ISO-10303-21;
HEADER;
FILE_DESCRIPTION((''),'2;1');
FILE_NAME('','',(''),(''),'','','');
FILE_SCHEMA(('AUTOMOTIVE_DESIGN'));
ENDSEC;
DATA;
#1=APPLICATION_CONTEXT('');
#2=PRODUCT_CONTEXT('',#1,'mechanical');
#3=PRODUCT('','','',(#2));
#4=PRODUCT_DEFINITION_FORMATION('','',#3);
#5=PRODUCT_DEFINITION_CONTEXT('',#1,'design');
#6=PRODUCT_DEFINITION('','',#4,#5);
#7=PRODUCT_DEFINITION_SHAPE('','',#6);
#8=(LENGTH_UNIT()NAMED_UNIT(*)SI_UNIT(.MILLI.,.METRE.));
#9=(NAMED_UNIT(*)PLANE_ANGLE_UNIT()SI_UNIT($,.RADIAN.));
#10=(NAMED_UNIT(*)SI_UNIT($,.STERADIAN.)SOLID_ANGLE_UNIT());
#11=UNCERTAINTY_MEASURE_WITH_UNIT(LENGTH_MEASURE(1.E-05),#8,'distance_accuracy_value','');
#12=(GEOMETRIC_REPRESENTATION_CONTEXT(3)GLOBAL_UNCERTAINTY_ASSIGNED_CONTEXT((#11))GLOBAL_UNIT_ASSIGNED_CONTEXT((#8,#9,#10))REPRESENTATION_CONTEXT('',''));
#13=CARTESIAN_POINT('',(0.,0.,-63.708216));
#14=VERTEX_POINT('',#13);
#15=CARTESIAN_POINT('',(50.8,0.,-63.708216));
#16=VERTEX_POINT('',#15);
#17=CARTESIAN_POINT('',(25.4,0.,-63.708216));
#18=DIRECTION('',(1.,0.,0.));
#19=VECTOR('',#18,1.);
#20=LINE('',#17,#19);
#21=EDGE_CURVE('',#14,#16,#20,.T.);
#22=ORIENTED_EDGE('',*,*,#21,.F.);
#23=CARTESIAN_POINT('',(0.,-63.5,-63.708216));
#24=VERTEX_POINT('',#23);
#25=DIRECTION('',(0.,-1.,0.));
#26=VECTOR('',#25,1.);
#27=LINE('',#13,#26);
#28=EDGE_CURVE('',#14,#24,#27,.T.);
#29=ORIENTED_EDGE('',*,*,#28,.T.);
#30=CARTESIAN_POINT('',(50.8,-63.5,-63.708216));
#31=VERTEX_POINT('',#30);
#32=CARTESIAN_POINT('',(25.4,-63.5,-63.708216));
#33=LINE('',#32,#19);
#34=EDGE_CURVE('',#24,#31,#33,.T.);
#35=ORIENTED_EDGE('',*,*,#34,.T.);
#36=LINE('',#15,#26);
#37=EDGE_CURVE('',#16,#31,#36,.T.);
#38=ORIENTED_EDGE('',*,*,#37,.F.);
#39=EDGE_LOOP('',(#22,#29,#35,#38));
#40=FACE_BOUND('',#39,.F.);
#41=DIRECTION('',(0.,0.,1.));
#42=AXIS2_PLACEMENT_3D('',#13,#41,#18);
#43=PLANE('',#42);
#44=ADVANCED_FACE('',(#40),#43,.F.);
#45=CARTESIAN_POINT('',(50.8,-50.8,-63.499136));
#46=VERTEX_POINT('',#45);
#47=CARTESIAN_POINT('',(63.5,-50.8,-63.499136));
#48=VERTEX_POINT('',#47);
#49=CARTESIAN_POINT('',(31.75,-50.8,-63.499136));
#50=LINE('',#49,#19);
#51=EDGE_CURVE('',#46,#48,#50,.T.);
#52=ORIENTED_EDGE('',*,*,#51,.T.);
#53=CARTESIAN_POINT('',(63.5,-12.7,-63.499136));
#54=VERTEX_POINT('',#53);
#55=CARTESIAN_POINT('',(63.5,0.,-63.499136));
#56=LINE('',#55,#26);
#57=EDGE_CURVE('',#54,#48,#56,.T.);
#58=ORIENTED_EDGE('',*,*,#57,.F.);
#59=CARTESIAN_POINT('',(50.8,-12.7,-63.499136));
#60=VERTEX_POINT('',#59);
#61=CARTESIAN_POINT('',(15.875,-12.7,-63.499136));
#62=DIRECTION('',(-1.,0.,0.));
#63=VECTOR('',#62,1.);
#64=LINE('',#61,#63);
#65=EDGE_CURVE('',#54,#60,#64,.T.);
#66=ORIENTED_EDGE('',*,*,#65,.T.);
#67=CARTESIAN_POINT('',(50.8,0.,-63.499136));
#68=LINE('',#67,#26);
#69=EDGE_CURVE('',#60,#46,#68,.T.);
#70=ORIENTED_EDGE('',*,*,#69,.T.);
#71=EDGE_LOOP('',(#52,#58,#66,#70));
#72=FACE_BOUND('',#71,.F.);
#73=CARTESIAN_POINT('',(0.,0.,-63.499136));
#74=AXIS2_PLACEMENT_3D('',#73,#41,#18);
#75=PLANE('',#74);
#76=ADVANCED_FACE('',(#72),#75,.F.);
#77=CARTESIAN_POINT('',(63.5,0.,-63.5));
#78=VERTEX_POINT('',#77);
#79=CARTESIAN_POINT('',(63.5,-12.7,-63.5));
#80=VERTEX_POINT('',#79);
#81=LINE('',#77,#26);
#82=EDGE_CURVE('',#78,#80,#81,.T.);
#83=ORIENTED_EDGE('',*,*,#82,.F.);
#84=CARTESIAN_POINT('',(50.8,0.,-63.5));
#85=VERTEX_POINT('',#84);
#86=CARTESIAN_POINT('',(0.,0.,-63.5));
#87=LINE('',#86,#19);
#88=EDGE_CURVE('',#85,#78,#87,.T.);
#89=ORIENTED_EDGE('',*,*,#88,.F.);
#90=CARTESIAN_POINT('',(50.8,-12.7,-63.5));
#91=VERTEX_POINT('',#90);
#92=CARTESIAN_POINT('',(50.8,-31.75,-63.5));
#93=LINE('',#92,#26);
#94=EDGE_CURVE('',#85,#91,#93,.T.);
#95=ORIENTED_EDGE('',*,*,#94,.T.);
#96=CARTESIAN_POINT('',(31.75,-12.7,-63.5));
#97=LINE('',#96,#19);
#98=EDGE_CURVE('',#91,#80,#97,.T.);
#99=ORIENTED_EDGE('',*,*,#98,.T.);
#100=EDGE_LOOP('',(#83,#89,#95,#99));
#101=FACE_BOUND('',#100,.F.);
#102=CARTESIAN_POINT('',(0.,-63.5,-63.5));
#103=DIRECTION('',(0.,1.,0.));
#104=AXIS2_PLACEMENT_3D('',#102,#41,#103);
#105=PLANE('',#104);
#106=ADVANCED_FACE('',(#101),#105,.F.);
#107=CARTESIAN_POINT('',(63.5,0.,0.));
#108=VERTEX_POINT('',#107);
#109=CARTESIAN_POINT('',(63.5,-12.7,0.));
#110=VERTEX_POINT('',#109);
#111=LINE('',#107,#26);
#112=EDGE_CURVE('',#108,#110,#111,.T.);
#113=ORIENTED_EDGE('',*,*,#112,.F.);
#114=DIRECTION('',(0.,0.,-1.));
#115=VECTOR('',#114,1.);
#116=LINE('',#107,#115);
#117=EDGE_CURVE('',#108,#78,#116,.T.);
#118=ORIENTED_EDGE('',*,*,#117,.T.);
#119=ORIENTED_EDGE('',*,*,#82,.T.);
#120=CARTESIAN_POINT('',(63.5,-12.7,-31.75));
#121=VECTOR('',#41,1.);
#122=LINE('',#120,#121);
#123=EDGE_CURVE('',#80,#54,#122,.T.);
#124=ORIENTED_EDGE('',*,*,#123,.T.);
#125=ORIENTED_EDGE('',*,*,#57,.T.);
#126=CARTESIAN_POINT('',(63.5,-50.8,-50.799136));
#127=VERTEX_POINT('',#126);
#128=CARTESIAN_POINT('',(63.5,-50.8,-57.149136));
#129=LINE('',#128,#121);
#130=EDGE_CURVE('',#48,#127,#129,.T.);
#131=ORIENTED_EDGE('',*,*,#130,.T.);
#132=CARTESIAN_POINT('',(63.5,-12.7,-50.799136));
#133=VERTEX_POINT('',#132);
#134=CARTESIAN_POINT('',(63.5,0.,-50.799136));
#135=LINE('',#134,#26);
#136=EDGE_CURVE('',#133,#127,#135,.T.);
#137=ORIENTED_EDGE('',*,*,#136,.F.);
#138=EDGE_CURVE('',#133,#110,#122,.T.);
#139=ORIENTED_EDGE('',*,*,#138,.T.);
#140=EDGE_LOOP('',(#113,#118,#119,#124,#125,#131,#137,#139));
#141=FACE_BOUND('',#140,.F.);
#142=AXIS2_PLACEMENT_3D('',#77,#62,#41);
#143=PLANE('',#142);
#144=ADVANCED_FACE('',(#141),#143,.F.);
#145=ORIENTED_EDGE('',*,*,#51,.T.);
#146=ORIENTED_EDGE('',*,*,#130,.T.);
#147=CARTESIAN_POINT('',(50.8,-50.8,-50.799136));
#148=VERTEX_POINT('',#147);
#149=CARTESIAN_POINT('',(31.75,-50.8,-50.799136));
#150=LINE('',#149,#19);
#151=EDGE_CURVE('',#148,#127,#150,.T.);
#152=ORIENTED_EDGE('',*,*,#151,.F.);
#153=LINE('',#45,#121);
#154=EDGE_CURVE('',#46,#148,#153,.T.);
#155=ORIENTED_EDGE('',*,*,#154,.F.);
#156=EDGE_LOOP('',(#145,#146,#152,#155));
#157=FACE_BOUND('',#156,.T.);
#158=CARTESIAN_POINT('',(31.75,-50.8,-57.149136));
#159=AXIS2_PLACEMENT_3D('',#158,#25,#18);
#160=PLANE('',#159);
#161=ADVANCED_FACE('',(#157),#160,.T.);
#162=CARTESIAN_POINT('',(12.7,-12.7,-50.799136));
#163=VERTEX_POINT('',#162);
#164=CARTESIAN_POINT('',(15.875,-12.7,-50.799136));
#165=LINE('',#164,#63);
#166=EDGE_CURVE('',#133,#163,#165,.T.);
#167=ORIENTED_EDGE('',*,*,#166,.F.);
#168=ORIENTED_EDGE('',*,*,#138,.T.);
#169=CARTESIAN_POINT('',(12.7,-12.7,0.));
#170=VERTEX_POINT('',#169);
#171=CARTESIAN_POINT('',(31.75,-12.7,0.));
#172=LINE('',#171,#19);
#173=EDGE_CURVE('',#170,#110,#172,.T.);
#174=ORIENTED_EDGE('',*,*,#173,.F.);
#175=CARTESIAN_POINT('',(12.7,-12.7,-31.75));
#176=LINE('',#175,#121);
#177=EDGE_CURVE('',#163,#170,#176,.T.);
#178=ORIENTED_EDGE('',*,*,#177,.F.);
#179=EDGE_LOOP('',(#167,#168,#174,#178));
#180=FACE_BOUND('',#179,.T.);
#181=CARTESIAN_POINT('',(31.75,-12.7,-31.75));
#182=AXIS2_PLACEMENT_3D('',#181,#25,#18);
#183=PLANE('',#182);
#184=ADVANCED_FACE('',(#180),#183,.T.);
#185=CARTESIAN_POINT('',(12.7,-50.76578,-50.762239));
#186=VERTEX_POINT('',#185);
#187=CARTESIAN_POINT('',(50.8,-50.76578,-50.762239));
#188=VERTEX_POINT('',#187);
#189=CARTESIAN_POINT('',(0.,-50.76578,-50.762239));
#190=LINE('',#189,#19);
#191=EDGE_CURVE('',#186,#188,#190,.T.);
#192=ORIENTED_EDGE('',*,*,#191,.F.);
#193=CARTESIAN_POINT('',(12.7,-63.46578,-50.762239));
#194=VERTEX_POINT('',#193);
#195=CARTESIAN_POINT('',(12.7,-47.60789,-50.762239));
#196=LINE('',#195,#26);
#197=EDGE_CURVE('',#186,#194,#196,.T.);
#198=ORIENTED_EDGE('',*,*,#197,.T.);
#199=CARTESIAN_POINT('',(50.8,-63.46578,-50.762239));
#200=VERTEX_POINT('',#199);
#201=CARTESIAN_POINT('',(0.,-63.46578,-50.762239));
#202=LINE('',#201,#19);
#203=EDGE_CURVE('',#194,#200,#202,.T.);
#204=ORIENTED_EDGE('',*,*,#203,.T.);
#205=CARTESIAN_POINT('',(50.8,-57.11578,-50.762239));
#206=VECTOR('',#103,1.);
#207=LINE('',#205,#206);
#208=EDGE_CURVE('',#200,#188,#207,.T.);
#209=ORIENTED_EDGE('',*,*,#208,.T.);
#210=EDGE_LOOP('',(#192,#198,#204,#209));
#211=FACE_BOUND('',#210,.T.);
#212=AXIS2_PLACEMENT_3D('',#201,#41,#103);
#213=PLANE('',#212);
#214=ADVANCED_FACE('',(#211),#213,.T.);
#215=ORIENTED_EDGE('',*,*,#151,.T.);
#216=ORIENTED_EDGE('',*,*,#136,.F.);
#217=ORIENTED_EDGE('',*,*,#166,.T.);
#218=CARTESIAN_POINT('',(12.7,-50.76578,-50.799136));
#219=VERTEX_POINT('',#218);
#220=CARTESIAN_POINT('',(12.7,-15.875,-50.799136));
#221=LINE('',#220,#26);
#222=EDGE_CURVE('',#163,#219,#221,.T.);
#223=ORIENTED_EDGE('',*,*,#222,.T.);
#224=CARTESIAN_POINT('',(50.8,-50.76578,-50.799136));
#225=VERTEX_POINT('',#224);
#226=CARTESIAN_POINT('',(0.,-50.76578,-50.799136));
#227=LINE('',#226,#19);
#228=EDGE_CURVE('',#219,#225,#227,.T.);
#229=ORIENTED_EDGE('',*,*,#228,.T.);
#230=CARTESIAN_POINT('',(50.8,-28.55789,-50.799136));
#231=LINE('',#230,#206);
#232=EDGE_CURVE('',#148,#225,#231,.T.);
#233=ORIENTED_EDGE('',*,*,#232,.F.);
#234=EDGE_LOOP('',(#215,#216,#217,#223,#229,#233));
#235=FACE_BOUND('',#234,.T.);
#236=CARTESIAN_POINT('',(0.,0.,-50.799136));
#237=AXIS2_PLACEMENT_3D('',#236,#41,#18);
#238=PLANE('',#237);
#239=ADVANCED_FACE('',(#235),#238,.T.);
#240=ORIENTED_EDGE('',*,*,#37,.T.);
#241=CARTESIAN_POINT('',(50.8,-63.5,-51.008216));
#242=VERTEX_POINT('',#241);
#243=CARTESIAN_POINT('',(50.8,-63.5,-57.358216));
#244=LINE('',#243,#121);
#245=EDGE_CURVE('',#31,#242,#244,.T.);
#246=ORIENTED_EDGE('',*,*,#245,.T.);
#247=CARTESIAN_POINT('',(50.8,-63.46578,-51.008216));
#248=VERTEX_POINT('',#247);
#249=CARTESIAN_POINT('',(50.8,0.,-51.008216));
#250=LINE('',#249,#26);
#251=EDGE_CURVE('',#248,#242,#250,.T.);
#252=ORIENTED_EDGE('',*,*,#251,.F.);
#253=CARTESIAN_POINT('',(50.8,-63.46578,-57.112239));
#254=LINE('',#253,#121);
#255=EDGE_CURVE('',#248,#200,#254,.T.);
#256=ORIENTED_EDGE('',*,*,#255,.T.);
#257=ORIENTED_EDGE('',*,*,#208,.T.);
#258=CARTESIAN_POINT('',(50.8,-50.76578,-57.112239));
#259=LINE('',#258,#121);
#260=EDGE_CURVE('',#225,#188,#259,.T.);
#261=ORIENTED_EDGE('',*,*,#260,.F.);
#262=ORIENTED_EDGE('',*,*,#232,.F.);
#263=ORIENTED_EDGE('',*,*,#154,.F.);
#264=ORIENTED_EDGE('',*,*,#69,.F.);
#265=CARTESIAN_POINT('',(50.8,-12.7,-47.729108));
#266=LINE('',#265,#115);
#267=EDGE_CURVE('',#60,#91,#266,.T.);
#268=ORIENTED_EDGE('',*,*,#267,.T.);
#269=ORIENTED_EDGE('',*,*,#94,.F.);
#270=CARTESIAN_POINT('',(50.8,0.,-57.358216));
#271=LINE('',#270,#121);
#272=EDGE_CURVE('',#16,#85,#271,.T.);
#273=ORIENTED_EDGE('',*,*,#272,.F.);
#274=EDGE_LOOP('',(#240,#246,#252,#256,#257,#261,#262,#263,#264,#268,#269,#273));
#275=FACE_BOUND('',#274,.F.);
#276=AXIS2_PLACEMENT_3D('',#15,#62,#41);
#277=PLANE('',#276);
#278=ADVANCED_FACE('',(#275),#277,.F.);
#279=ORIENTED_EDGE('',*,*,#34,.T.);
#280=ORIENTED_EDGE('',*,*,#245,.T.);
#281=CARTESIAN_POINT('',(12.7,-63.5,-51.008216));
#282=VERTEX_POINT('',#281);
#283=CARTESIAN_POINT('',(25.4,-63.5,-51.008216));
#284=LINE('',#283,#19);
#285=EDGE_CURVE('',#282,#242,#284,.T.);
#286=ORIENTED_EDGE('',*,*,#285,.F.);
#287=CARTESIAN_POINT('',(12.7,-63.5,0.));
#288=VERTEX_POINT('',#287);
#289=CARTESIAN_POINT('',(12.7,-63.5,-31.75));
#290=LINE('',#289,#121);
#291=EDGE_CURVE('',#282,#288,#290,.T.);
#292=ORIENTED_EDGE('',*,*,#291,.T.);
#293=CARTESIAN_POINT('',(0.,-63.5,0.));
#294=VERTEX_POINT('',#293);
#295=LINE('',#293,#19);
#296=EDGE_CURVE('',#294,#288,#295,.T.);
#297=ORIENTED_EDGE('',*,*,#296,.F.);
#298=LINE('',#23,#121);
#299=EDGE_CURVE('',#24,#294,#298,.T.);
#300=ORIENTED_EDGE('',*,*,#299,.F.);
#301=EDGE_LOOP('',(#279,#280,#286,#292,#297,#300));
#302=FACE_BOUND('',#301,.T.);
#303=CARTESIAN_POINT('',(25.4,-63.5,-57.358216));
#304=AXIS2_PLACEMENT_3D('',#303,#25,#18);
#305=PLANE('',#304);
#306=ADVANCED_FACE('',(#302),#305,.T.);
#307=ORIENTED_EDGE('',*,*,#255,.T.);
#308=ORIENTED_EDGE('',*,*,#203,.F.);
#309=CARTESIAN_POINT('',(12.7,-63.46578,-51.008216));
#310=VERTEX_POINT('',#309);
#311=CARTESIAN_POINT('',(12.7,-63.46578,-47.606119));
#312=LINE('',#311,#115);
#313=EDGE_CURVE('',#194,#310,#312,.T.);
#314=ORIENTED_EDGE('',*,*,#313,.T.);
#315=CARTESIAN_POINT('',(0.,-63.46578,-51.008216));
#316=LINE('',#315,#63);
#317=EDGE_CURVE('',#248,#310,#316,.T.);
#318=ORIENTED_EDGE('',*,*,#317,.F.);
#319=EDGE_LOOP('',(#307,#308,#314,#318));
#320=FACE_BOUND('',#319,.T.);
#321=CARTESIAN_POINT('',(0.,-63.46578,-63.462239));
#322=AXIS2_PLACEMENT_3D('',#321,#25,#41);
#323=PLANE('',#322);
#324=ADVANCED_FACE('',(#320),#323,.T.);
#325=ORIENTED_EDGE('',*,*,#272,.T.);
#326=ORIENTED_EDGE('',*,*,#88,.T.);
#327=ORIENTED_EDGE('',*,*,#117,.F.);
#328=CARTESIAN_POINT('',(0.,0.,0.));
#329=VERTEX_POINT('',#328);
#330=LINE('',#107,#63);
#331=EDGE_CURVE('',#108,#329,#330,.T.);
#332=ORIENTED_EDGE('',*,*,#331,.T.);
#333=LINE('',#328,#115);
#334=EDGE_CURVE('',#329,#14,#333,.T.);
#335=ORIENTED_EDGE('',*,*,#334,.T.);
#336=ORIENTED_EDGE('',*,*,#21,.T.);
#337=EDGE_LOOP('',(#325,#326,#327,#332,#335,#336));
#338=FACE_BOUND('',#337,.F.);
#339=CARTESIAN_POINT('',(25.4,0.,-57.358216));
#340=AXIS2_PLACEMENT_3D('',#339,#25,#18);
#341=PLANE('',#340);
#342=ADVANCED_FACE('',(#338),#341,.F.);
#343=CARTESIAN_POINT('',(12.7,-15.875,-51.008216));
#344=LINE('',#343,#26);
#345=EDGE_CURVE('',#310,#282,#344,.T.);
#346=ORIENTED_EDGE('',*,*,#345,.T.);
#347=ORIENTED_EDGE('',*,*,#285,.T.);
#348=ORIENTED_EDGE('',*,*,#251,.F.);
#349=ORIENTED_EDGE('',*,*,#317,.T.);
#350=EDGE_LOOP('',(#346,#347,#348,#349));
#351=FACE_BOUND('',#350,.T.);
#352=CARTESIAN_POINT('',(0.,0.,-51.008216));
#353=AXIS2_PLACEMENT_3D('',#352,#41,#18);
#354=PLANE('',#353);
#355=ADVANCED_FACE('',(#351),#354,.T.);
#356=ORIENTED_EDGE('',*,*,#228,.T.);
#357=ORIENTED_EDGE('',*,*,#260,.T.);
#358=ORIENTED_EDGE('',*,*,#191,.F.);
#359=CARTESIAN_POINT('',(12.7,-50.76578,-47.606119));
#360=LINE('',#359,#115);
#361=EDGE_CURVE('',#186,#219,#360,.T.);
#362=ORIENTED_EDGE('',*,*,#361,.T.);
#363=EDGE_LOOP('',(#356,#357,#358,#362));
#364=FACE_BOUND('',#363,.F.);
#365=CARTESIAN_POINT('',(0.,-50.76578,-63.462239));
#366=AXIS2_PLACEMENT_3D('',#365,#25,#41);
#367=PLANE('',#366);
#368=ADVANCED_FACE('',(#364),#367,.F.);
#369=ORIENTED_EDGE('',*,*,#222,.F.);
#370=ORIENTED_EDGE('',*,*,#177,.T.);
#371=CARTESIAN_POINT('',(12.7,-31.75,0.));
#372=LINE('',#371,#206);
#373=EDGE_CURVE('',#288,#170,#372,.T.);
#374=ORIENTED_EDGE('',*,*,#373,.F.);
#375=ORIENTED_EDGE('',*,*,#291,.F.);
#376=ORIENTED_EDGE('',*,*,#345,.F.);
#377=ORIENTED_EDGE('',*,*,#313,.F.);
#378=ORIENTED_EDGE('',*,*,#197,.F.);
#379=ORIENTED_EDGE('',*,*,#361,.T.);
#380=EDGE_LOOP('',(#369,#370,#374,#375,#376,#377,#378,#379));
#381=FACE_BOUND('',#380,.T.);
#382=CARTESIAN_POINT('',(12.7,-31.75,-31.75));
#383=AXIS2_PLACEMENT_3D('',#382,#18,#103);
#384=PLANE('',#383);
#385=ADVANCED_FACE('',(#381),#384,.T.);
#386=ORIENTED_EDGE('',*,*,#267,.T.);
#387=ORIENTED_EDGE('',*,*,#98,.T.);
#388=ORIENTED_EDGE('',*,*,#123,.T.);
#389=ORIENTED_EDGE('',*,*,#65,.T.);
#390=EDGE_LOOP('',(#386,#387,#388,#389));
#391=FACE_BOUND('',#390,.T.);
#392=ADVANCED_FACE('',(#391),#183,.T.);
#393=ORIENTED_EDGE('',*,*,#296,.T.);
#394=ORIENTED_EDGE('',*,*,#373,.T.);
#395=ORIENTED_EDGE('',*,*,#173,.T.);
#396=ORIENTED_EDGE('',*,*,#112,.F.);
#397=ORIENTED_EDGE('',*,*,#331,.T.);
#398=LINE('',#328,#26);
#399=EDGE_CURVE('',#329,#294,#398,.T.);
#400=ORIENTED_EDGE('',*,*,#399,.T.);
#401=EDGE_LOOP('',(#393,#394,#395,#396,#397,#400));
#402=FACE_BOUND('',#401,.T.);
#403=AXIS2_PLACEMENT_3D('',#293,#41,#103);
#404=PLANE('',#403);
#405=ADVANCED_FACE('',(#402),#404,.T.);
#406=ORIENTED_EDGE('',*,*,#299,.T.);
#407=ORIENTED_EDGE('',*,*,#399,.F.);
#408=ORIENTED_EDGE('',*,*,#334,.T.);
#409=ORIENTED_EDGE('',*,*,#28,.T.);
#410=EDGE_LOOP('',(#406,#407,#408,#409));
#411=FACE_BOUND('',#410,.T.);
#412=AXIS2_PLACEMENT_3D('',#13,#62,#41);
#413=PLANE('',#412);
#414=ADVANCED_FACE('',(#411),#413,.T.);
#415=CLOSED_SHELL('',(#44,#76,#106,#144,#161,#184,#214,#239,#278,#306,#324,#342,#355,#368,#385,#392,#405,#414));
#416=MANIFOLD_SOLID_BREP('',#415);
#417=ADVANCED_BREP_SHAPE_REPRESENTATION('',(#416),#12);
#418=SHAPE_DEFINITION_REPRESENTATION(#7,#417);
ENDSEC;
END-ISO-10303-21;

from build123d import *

# Parameters (mm, degrees)
F0_W     = 63.5
F0_H     = 63.5
F1_DEPTH = 12.7
F2_W     = 63.5
F2_H     = 63.5
F3_DEPTH = 12.7
F4_W     = 63.5
F4_H     = 12.7
F5_DEPTH = 50.8
F6_W     = 12.7
F6_H     = 12.7
F7_DEPTH = 50.8
F8_W     = 50.8
F8_H     = 12.7
F9_DEPTH = 63.5


with BuildPart() as f1:
    # F0 (on Front) → F1 (new body)
    with BuildSketch(Plane.XZ):
        with Locations((31.75, -31.75)):
            Rectangle(F0_W, F0_H)
    extrude(amount=F1_DEPTH)

    # F2 (on Right) → F3 (join)
    with BuildSketch(Plane.YZ):
        with Locations((-31.75, -31.75)):
            Rectangle(F2_W, F2_H)
    extrude(amount=F3_DEPTH)

    # F4 (on Front) → F5 (join)
    with BuildSketch(Plane.XZ):
        with Locations((31.75, -57.149136)):
            Rectangle(F4_W, F4_H)
    extrude(amount=F5_DEPTH)

    # F6 (on Right) → F7 (join)
    with BuildSketch(Plane.YZ):
        with Locations((-57.11578, -57.112239)):
            Rectangle(F6_W, F6_H)
    extrude(amount=F7_DEPTH)

    # F8 (on Front) → F9 (join)
    with BuildSketch(Plane.XZ):
        with Locations((25.4, -57.358216)):
            Rectangle(F8_W, F8_H)
    extrude(amount=F9_DEPTH)


solid = f1.part
